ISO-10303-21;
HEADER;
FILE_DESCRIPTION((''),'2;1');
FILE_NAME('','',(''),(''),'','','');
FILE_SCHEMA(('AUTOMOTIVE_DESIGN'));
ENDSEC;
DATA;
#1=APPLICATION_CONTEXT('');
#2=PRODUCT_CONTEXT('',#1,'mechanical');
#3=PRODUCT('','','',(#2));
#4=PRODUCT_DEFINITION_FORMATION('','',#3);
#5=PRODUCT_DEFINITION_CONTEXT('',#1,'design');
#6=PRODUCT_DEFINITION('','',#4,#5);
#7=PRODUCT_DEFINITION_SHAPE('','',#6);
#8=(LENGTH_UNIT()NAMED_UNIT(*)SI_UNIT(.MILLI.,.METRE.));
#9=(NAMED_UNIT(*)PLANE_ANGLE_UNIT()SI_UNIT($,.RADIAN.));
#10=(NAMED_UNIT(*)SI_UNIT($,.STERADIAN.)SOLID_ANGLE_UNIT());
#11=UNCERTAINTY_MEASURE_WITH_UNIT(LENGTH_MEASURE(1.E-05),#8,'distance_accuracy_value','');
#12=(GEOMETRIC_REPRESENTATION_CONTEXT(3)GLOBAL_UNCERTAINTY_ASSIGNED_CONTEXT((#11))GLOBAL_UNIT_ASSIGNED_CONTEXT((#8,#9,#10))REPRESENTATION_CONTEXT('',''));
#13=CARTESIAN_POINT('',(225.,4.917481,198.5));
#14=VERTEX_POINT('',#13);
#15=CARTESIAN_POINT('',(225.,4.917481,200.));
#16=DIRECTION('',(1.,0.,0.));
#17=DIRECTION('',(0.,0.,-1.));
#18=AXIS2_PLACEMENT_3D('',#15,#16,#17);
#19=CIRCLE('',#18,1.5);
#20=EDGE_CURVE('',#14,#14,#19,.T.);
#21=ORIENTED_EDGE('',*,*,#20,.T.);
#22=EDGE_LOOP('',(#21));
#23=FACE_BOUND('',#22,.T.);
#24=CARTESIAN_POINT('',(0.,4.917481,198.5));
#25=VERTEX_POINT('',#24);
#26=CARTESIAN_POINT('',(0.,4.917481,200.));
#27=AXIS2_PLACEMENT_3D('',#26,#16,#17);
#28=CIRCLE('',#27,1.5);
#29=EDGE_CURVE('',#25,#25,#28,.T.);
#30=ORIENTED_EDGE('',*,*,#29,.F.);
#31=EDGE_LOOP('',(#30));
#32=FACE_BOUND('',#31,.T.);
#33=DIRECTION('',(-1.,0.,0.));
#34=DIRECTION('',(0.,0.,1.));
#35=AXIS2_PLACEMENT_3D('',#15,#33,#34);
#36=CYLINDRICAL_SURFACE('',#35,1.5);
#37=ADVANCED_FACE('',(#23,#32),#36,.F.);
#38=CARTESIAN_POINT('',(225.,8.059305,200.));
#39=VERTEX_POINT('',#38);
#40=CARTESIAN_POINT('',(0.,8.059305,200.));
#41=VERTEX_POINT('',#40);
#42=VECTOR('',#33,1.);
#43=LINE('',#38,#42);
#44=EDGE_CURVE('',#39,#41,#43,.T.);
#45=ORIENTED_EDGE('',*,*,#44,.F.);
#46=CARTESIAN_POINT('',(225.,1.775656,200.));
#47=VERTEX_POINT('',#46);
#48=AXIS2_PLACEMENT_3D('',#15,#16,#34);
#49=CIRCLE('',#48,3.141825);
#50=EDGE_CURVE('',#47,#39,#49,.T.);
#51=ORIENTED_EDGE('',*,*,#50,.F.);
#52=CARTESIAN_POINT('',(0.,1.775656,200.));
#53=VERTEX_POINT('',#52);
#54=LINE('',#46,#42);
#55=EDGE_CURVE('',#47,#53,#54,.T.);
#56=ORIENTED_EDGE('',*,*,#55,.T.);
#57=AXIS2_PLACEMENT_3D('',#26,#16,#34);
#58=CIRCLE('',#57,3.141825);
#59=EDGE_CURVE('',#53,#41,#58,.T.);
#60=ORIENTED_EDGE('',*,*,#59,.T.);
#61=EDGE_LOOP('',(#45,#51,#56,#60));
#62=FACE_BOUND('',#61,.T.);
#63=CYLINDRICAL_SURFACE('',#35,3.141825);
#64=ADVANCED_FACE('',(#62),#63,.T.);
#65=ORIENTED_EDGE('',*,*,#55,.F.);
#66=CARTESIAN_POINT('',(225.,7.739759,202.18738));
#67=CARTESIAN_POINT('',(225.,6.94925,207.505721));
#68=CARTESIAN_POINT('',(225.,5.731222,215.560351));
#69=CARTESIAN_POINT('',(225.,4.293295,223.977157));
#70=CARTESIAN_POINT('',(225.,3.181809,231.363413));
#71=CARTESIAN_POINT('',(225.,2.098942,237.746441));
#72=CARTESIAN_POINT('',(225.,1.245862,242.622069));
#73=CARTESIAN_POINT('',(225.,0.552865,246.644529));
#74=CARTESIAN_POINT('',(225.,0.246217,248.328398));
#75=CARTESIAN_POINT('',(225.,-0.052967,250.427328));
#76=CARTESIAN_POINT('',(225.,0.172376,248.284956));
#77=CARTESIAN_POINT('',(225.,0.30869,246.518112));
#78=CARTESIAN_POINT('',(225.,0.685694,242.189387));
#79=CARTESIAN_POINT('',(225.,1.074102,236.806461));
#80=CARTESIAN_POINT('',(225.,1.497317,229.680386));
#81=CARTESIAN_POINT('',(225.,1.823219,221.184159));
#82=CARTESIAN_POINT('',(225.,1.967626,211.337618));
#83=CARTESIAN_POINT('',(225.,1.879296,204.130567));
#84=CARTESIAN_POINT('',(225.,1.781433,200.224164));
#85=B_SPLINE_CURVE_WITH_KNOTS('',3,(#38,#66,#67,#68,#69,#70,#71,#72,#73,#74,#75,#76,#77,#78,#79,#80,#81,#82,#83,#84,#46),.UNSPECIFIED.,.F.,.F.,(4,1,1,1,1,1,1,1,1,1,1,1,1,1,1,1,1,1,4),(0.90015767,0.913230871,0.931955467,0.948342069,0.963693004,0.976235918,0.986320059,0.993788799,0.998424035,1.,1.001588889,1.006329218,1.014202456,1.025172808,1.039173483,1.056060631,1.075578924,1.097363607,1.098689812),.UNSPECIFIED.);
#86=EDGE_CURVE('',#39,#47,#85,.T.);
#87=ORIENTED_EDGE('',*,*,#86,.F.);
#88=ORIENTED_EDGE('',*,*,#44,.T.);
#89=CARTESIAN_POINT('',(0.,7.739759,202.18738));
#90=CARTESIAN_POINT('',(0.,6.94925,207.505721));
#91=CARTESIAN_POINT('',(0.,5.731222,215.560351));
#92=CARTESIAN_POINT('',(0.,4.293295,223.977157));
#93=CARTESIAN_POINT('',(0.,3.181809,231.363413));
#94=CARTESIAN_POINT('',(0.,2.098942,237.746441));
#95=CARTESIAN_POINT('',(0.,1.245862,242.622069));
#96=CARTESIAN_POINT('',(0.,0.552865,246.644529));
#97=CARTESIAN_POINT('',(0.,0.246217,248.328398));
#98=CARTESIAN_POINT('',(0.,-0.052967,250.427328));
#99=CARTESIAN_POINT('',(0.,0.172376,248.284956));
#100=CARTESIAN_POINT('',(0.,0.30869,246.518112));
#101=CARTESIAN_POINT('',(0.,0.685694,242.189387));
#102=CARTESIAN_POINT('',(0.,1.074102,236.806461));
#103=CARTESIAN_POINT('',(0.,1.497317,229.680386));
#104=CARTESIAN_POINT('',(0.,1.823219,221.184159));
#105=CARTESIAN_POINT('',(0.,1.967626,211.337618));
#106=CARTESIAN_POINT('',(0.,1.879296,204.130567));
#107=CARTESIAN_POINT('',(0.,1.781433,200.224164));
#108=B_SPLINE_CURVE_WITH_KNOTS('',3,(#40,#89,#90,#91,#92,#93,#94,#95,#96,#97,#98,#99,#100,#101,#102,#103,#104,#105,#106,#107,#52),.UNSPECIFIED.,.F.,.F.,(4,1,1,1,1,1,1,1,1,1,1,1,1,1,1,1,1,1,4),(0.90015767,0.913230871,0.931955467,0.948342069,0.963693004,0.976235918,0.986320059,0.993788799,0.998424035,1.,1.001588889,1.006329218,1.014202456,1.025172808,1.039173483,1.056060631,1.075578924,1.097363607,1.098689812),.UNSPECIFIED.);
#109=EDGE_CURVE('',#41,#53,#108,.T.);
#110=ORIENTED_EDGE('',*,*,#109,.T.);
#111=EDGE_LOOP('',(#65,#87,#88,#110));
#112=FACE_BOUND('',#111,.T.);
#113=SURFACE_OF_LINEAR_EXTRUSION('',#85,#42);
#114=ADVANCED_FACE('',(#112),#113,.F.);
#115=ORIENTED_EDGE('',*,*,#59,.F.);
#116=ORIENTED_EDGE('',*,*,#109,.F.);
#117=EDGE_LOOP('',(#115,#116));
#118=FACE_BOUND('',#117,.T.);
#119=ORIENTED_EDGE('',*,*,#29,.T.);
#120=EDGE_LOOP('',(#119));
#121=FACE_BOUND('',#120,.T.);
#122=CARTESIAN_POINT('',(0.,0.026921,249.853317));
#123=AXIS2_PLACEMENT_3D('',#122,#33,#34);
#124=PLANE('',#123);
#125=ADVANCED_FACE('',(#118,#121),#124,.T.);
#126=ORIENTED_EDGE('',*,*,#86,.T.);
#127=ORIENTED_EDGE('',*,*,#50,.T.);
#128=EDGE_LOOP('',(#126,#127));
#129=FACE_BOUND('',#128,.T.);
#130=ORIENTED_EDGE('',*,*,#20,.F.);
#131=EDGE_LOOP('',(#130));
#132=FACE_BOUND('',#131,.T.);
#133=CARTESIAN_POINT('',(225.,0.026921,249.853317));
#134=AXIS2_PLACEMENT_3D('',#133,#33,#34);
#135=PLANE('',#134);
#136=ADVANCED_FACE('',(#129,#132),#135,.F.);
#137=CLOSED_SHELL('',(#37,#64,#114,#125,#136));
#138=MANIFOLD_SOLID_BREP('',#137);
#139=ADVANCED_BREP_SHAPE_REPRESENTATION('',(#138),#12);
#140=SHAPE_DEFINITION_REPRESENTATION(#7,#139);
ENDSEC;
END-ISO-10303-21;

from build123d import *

# Parameters (mm, degrees)
SCHIZZO1_R      = 1.5
CORPOFOAM_DEPTH = 225


with BuildPart() as part:
    # Schizzo1 → CorpoFoam (new body)
    with BuildSketch(Plane(origin=(0, 0, 0), x_dir=(0, 0, -1), z_dir=(1, 0, 0))):
        with BuildLine():
            ThreePointArc((-200, 8.059305289), (-196.8581753, 4.91748059), (-200, 1.77565589))
            add(Edge.make_bspline(
                [(-200, 8.059305289), (-202.187379866, 7.739758676), (-207.50572073, 6.94925042), (-215.560350587, 5.731221771), (-223.977157043, 4.293295131), (-231.363413337, 3.181808879), (-237.746440905, 2.098942424), (-242.622069367, 1.245861924), (-246.644529334, 0.552864955), (-248.328398442, 0.246216773), (-250.427328459, -0.052966692), (-248.284955517, 0.172375667), (-246.518112421, 0.308690023), (-242.189387345, 0.685693601), (-236.806461265, 1.074101535), (-229.680385953, 1.497317245), (-221.184158699, 1.823218606), (-211.337618209, 1.967626103), (-204.130566759, 1.879296162), (-200.224163887, 1.781432917), (-200, 1.77565589)],
                knots=[0.90015767, 0.90015767, 0.90015767, 0.90015767, 0.913230871, 0.931955467, 0.948342069, 0.963693004, 0.976235918, 0.986320059, 0.993788799, 0.998424035, 1, 1.001588889, 1.006329218, 1.014202456, 1.025172808, 1.039173483, 1.056060631, 1.075578924, 1.097363607, 1.098689812, 1.098689812, 1.098689812, 1.098689812], degree=3))
        make_face()
        with Locations((-200, 4.91748059)):
            Circle(SCHIZZO1_R, mode=Mode.SUBTRACT)
    extrude(amount=CORPOFOAM_DEPTH)


solid = part.part
